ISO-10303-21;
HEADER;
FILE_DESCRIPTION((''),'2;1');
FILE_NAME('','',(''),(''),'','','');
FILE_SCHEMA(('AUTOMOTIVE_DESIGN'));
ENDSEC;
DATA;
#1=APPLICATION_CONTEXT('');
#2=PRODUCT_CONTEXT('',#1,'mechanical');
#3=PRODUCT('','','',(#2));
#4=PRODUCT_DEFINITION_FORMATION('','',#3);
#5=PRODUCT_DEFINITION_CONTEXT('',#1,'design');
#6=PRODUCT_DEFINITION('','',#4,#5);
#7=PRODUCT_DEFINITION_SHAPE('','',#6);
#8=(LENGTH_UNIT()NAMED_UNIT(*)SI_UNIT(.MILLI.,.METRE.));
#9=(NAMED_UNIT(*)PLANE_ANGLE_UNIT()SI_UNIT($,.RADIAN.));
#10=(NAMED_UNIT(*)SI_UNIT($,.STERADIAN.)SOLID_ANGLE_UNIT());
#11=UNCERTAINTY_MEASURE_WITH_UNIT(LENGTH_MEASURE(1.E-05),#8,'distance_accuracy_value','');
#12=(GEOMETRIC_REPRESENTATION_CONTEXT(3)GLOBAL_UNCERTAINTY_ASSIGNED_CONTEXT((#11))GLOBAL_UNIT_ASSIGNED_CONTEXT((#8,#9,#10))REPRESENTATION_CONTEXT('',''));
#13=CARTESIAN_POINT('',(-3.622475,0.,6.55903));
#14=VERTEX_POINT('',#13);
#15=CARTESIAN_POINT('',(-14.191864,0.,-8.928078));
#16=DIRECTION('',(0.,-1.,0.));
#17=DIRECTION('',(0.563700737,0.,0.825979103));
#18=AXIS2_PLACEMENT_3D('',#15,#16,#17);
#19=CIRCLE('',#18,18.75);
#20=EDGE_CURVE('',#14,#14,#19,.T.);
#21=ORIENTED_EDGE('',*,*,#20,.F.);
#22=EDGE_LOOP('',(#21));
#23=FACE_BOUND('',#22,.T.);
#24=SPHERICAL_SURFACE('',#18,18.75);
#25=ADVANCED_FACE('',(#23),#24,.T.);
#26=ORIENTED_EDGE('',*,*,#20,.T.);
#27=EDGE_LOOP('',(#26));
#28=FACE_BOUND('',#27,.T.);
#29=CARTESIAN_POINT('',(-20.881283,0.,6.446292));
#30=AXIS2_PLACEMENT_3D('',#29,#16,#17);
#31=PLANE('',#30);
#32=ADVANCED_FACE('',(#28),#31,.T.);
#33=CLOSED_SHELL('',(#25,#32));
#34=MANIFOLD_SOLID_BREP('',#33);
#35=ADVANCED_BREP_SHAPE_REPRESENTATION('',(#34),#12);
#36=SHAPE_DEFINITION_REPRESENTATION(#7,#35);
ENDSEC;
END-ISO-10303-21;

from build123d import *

# Parameters (mm, degrees)
REVOLVE1_ANGLE = 180


with BuildPart() as part:
    # Sketch1 → Revolve1 (revolve)
    with BuildSketch(Plane(origin=(0, 0, 0), x_dir=(1, 0, 0), z_dir=(0, 1, 0))):
        with BuildLine():
            ThreePointArc((4.558136028, 8.928078359), (-3.059473533, 24.015569307), (-19.722651504, 26.843794624))
            Line((-19.722651504, 26.843794624), (-8.66107644, -8.987637905))
            ThreePointArc((-8.66107644, -8.987637905), (0.895626976, -2.20431208), (4.558136028, 8.928078359))
        make_face()
    revolve(axis=Axis((-19.722651504, 0, -26.843794624), (0.294975335, 0, 0.955504867)), revolution_arc=REVOLVE1_ANGLE)


solid = part.part
